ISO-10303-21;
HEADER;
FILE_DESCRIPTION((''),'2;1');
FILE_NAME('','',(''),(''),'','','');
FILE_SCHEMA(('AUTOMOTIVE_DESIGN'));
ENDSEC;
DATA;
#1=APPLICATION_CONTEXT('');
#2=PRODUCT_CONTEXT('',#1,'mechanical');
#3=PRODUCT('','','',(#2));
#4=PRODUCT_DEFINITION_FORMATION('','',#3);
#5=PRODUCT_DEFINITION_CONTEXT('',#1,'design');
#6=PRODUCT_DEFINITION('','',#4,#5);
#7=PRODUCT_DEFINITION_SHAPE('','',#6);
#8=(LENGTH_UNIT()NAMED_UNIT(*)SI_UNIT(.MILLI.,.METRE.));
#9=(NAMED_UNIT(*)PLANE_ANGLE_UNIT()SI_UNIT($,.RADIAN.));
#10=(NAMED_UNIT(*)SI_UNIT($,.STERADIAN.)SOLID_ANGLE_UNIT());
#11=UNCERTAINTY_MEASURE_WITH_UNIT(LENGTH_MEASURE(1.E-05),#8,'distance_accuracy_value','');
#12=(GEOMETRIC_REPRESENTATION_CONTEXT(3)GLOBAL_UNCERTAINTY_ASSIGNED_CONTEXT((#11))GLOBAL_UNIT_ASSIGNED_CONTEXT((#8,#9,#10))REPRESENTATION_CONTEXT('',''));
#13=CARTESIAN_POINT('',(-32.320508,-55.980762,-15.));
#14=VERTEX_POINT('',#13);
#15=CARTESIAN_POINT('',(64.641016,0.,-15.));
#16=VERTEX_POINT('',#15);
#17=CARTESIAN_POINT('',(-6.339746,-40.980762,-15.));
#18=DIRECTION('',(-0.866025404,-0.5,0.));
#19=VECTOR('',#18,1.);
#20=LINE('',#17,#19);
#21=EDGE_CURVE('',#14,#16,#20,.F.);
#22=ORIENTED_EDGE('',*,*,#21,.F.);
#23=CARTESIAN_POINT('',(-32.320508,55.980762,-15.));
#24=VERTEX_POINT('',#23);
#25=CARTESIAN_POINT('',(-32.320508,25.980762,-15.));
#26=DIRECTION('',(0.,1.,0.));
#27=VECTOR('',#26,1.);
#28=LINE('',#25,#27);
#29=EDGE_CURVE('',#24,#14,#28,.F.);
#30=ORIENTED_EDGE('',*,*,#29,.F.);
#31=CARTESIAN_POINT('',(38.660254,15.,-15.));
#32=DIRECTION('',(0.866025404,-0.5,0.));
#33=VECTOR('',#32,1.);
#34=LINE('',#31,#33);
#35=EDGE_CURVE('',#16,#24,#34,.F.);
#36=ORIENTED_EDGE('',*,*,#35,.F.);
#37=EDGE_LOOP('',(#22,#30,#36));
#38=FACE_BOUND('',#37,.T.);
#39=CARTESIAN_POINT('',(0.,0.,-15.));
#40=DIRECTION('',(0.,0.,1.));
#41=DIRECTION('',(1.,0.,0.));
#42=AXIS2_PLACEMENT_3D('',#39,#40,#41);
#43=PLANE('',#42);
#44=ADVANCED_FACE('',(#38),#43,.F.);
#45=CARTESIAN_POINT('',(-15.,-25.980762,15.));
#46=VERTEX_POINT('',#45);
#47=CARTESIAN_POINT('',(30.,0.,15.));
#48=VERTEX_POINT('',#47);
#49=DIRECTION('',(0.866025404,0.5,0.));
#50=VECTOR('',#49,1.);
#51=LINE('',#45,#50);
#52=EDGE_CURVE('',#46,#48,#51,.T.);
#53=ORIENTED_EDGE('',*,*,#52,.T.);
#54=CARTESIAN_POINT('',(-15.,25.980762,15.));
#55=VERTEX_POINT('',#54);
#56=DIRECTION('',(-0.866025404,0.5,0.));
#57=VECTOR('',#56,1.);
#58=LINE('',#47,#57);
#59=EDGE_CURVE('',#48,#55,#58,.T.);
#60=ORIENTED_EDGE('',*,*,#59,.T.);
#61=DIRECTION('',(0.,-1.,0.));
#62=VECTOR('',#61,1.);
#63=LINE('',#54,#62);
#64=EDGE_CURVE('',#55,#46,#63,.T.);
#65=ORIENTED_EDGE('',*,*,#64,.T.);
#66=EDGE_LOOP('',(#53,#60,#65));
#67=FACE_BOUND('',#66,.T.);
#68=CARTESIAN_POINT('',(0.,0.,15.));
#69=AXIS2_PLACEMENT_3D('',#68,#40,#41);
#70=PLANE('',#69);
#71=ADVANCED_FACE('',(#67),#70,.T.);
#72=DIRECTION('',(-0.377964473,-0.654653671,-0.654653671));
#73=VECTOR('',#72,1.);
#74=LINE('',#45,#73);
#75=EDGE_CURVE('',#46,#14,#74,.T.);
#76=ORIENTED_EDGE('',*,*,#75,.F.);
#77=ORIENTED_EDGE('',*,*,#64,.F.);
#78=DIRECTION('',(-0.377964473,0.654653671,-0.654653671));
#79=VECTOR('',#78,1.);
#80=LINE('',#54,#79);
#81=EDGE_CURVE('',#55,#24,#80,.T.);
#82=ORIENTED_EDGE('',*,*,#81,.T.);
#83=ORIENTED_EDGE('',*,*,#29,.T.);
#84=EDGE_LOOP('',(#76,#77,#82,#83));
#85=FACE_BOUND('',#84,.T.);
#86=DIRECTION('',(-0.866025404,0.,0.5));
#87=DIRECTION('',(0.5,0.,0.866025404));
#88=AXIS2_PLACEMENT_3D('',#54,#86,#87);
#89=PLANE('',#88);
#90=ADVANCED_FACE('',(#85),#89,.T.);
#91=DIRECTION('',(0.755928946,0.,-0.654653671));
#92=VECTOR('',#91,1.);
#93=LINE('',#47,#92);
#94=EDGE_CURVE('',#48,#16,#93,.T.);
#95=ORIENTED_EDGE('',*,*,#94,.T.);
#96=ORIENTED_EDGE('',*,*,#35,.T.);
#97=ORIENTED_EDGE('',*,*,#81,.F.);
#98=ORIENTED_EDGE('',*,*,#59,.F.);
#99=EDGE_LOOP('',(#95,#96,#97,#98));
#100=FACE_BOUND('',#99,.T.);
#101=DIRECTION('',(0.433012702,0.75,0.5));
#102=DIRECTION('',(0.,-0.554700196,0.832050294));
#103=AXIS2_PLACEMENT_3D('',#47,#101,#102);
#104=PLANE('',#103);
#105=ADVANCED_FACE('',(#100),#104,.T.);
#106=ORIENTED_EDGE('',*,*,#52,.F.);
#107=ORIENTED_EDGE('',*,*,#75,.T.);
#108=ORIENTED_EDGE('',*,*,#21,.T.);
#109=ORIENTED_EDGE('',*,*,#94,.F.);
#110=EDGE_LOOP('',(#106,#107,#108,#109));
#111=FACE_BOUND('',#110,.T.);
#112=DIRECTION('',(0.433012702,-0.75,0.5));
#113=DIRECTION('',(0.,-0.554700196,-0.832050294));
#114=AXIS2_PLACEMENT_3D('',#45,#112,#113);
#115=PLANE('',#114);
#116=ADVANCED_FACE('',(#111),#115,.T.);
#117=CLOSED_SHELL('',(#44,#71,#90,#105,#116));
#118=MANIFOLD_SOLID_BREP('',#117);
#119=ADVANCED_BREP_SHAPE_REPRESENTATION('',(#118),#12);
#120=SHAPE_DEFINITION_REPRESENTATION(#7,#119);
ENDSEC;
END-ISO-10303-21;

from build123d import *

# Parameters (mm, degrees)
EXTRUDE_2_DEPTH = 15
DRAFT_3_ANGLE   = 30


with BuildPart() as part:
    # 草图1 → 凸台-拉伸2 (new, symmetric)
    with BuildSketch(Plane.XY):
        Polygon((30, 0), (-15, 25.980762114), (-15, -25.980762114), align=None)
    extrude(amount=EXTRUDE_2_DEPTH, both=True)

    # 拔模3
    draft_3_faces = [part.faces().sort_by_distance(p)[0] for p in [
        (7.5, -12.990381057, 0),
        (-15, 0, 0),
        (7.5, 12.990381057, 0),
    ]]
    draft(draft_3_faces, Plane.XY.offset(15), DRAFT_3_ANGLE)


solid = part.part
